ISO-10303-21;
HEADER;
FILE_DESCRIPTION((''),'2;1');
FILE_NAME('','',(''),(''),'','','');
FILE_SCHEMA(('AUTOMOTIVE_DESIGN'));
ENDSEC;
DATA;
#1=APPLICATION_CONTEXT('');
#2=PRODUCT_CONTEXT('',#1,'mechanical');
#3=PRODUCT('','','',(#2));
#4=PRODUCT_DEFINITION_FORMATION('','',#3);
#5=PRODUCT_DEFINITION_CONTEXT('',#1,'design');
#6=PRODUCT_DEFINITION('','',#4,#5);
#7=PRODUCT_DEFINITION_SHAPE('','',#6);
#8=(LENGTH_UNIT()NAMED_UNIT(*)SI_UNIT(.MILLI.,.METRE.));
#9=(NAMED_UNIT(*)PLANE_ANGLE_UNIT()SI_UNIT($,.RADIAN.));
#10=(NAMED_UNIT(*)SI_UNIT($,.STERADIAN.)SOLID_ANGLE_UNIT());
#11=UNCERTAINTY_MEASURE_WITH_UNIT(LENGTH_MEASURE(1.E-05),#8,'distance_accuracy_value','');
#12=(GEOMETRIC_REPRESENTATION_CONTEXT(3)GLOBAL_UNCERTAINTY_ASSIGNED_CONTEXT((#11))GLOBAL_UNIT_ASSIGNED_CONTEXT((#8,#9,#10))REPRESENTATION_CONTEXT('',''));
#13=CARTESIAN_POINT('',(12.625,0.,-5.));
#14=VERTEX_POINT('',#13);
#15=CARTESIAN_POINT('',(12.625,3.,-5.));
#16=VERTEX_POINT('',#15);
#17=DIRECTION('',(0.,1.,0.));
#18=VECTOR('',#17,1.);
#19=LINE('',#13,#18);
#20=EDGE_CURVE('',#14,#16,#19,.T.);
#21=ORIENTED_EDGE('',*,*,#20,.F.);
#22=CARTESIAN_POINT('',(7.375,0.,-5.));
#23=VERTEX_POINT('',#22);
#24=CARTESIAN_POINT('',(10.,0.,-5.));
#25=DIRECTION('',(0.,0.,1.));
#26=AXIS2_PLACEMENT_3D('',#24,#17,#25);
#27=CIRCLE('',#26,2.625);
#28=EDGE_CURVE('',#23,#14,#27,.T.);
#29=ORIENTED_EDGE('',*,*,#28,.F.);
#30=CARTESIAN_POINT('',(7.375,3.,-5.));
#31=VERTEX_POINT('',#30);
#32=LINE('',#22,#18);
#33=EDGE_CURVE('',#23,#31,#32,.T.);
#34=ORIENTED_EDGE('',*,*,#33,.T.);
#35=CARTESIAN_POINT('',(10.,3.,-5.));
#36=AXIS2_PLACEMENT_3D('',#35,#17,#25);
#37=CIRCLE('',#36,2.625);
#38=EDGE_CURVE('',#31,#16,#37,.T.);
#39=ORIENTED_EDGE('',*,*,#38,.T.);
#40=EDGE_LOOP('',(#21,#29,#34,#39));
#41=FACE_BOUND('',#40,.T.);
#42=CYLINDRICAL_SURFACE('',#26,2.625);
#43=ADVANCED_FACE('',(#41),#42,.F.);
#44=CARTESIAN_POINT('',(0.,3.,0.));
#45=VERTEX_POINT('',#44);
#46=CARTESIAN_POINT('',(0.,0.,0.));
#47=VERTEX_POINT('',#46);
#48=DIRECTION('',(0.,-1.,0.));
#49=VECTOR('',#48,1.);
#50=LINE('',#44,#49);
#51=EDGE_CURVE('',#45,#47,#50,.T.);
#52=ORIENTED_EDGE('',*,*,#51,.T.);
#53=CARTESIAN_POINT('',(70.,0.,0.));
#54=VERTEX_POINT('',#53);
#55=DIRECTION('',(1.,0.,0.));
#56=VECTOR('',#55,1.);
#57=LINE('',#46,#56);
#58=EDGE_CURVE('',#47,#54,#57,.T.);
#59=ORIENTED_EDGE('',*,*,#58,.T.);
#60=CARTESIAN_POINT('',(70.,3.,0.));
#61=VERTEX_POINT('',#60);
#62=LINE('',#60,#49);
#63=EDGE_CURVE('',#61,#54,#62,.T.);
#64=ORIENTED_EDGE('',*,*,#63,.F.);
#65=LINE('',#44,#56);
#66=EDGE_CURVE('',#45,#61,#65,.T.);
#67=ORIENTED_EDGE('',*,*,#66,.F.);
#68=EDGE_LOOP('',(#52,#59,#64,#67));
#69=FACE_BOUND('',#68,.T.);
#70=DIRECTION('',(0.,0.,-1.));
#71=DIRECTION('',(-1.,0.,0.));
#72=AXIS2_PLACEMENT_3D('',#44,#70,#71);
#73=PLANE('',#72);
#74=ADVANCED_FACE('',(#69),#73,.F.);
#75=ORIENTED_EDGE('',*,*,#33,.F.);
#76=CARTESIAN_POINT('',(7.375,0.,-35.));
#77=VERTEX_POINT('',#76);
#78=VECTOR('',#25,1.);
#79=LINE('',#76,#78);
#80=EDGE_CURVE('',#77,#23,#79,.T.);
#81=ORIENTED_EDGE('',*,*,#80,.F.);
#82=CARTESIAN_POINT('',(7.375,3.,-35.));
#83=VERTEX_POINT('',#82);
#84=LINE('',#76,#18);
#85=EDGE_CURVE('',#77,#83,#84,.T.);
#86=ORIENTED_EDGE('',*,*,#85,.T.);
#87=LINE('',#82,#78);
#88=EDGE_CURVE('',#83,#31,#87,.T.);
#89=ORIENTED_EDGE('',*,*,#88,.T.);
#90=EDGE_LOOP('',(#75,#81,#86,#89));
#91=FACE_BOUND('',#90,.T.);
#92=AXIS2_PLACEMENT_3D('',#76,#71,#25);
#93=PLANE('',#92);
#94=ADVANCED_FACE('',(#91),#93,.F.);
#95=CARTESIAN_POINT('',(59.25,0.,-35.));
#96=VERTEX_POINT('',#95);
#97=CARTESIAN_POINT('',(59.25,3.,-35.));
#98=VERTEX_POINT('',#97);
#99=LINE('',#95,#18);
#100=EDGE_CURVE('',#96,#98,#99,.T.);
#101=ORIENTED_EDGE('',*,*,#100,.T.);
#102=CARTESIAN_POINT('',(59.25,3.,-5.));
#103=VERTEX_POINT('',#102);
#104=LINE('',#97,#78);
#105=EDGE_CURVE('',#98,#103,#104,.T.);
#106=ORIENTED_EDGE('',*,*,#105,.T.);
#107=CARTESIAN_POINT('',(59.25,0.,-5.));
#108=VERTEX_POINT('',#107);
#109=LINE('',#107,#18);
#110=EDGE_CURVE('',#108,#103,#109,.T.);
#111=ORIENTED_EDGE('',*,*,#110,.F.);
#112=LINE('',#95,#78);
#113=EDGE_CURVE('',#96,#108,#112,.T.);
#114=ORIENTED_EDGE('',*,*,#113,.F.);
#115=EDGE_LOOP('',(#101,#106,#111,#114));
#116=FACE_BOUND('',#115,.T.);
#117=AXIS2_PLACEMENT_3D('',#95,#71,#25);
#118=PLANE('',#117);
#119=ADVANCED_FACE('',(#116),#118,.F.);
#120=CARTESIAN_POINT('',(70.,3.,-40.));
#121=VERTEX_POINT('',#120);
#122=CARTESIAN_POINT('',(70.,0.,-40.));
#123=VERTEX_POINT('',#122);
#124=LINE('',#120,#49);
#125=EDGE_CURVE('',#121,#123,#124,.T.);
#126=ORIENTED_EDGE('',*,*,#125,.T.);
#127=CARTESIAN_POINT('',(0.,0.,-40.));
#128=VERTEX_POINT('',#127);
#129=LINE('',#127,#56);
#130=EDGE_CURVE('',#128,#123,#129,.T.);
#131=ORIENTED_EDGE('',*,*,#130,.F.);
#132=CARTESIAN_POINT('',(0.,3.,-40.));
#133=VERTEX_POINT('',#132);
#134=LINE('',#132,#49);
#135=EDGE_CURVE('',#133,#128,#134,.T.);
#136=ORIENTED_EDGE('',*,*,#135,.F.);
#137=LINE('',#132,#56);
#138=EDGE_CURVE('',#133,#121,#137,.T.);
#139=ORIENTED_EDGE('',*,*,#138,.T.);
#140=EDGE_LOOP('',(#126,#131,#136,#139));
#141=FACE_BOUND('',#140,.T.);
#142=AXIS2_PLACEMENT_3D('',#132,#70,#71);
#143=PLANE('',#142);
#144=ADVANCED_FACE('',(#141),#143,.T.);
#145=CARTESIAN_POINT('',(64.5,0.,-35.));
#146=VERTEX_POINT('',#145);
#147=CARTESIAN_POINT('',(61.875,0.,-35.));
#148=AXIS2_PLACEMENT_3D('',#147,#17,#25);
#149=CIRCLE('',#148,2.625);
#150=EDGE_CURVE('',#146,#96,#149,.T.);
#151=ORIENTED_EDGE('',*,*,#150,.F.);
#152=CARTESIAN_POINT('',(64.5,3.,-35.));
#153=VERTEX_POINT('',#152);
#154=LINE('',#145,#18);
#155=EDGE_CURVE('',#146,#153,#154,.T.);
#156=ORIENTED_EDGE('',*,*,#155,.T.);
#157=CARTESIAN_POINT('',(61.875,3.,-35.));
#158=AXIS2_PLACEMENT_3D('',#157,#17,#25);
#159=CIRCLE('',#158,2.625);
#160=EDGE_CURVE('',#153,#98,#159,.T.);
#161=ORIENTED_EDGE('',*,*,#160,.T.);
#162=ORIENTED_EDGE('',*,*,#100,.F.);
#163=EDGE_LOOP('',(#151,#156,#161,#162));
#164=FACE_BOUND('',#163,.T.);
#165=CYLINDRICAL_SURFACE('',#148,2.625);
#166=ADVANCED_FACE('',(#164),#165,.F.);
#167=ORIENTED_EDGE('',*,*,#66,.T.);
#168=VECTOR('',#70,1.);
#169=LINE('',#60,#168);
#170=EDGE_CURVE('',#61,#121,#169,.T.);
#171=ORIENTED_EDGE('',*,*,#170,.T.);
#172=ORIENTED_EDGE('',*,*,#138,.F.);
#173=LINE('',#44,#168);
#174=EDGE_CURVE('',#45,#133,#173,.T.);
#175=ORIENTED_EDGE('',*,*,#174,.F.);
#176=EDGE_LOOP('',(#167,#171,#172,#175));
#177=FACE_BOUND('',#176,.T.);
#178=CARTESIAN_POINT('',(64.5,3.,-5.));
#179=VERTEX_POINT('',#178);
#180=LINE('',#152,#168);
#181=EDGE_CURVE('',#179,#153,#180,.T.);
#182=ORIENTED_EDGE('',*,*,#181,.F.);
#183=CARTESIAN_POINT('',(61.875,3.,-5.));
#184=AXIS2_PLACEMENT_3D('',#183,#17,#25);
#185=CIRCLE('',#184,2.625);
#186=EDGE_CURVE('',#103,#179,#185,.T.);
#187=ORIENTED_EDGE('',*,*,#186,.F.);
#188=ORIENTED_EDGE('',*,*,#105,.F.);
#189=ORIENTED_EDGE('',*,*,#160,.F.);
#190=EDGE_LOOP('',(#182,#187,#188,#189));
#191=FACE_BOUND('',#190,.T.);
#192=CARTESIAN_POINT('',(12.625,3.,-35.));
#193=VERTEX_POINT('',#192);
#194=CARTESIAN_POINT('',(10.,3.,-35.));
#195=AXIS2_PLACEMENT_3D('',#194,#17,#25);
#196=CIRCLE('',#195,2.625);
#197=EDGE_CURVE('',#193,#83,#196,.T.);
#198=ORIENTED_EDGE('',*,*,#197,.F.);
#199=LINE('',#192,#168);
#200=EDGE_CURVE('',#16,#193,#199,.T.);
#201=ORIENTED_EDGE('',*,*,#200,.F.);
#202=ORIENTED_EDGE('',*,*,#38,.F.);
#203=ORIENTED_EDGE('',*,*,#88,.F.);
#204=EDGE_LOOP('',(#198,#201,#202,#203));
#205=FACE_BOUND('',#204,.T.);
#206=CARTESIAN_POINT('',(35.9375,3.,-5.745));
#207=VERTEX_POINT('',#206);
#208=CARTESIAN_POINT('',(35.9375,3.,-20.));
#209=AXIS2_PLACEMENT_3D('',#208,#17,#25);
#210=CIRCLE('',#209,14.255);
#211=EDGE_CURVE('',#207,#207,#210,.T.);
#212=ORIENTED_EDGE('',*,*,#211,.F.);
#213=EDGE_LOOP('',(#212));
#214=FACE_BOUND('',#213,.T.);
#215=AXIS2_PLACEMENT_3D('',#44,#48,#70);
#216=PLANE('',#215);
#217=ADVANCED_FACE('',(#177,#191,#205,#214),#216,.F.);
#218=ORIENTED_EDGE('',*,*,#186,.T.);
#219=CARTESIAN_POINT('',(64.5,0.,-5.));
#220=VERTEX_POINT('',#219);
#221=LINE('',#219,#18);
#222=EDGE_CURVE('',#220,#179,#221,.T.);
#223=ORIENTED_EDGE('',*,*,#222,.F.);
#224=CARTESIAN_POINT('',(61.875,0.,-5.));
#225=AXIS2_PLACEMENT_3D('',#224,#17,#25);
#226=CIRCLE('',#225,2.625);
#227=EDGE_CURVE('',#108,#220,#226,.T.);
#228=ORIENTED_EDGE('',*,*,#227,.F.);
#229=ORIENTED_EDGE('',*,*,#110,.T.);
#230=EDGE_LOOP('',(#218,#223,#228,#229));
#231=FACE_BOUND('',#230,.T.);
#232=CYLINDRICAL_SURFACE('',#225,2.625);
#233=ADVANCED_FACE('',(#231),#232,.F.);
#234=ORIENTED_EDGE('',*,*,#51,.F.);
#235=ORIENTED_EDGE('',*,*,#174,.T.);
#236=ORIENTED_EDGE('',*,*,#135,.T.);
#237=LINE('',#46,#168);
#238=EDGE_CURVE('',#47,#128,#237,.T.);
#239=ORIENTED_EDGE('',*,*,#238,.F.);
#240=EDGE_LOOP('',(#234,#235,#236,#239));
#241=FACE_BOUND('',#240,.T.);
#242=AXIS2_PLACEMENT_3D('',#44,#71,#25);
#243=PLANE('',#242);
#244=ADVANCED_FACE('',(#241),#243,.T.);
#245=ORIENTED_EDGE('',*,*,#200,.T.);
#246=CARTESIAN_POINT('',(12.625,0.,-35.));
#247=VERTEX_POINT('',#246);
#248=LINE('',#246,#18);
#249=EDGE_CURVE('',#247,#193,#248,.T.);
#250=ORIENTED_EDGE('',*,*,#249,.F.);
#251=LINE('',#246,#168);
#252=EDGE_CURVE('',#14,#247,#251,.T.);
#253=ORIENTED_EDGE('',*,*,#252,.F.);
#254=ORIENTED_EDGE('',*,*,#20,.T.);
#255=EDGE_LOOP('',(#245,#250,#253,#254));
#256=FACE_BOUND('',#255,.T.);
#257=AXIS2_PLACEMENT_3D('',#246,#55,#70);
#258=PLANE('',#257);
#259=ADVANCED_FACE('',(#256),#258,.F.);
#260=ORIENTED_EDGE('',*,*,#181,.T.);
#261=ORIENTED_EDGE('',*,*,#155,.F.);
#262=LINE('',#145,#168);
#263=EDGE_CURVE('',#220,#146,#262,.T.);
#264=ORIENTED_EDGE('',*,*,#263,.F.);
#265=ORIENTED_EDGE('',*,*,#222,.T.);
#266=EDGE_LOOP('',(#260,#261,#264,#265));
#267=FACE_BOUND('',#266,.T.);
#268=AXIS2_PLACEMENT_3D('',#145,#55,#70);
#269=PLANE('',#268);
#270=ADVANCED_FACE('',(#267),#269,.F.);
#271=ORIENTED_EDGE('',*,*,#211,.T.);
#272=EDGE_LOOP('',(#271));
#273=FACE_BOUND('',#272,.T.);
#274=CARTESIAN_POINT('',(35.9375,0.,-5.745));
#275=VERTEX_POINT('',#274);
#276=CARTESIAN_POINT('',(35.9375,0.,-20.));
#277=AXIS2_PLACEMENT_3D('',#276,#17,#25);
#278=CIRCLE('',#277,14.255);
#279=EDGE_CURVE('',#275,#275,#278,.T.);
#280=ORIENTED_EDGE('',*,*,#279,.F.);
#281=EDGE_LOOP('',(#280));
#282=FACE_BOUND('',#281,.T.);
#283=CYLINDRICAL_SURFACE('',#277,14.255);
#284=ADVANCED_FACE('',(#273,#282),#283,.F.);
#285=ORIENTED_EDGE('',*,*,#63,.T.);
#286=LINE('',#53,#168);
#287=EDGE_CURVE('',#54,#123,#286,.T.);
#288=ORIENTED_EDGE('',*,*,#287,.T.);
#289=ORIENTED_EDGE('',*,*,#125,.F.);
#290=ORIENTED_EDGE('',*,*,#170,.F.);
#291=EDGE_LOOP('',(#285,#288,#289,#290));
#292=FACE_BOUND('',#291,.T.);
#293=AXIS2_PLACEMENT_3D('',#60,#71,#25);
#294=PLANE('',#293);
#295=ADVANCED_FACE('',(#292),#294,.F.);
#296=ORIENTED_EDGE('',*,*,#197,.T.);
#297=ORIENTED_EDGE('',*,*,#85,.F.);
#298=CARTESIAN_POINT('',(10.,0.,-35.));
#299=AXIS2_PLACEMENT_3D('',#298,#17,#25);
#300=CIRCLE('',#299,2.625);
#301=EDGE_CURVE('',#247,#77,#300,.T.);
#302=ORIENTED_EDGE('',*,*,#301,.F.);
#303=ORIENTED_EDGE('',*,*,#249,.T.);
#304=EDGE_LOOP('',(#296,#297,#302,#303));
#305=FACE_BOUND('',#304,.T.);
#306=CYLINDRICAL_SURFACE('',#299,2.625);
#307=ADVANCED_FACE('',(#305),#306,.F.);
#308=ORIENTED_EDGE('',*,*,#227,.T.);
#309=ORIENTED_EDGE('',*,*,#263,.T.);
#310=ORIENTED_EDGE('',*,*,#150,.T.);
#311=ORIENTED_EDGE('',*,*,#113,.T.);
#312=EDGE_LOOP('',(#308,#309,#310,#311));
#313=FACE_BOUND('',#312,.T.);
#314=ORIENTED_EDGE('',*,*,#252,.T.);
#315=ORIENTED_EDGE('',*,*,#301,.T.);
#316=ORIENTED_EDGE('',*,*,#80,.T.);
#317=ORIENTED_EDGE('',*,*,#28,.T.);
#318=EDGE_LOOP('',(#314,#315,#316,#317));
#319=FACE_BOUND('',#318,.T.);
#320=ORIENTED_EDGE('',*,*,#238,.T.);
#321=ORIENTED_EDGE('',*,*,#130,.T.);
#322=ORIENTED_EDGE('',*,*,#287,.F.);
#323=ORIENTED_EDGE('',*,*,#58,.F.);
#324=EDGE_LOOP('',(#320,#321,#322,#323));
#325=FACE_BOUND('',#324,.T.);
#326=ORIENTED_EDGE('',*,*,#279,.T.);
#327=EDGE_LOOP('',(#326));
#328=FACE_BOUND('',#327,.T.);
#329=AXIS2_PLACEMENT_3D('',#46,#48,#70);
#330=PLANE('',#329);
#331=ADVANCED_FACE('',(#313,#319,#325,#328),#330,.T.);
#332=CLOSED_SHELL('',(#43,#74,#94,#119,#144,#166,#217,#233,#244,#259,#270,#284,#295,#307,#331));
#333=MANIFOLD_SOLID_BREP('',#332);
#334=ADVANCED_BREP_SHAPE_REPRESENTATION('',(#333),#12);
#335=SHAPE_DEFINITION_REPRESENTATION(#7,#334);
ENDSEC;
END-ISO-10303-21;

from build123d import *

# Parameters (mm, degrees)
SKETCH1_W           = 70
SKETCH1_H           = 40
BOSS_EXTRUDE1_DEPTH = 3
SKETCH2_R           = 14.255
CUT_EXTRUDE1_DEPTH  = 3


with BuildPart() as part:
    # Sketch1 → Boss-Extrude1 (new body)
    with BuildSketch(Plane(origin=(0, 0, 0), x_dir=(1, 0, 0), z_dir=(0, 1, 0))):
        with Locations((35, 20)):
            Rectangle(SKETCH1_W, SKETCH1_H)
    extrude(amount=BOSS_EXTRUDE1_DEPTH)

    # Sketch2 → Cut-Extrude1 (cut)
    with BuildSketch(Plane(origin=(0, 3, 0), x_dir=(1, 0, 0), z_dir=(0, 1, 0))):
        with Locations((35.9375, 20)):
            Circle(SKETCH2_R)
        with BuildLine():
            Line((12.625, 35), (12.625, 5))
            ThreePointArc((12.625, 5), (10, 2.375), (7.375, 5))
            Line((7.375, 5), (7.375, 35))
            ThreePointArc((7.375, 35), (10, 37.625), (12.625, 35))
        make_face()
        with BuildLine():
            Line((64.5, 35), (64.5, 5))
            ThreePointArc((64.5, 5), (61.875, 2.375), (59.25, 5))
            Line((59.25, 5), (59.25, 35))
            ThreePointArc((59.25, 35), (61.875, 37.625), (64.5, 35))
        make_face()
    extrude(amount=-CUT_EXTRUDE1_DEPTH, mode=Mode.SUBTRACT)


solid = part.part
